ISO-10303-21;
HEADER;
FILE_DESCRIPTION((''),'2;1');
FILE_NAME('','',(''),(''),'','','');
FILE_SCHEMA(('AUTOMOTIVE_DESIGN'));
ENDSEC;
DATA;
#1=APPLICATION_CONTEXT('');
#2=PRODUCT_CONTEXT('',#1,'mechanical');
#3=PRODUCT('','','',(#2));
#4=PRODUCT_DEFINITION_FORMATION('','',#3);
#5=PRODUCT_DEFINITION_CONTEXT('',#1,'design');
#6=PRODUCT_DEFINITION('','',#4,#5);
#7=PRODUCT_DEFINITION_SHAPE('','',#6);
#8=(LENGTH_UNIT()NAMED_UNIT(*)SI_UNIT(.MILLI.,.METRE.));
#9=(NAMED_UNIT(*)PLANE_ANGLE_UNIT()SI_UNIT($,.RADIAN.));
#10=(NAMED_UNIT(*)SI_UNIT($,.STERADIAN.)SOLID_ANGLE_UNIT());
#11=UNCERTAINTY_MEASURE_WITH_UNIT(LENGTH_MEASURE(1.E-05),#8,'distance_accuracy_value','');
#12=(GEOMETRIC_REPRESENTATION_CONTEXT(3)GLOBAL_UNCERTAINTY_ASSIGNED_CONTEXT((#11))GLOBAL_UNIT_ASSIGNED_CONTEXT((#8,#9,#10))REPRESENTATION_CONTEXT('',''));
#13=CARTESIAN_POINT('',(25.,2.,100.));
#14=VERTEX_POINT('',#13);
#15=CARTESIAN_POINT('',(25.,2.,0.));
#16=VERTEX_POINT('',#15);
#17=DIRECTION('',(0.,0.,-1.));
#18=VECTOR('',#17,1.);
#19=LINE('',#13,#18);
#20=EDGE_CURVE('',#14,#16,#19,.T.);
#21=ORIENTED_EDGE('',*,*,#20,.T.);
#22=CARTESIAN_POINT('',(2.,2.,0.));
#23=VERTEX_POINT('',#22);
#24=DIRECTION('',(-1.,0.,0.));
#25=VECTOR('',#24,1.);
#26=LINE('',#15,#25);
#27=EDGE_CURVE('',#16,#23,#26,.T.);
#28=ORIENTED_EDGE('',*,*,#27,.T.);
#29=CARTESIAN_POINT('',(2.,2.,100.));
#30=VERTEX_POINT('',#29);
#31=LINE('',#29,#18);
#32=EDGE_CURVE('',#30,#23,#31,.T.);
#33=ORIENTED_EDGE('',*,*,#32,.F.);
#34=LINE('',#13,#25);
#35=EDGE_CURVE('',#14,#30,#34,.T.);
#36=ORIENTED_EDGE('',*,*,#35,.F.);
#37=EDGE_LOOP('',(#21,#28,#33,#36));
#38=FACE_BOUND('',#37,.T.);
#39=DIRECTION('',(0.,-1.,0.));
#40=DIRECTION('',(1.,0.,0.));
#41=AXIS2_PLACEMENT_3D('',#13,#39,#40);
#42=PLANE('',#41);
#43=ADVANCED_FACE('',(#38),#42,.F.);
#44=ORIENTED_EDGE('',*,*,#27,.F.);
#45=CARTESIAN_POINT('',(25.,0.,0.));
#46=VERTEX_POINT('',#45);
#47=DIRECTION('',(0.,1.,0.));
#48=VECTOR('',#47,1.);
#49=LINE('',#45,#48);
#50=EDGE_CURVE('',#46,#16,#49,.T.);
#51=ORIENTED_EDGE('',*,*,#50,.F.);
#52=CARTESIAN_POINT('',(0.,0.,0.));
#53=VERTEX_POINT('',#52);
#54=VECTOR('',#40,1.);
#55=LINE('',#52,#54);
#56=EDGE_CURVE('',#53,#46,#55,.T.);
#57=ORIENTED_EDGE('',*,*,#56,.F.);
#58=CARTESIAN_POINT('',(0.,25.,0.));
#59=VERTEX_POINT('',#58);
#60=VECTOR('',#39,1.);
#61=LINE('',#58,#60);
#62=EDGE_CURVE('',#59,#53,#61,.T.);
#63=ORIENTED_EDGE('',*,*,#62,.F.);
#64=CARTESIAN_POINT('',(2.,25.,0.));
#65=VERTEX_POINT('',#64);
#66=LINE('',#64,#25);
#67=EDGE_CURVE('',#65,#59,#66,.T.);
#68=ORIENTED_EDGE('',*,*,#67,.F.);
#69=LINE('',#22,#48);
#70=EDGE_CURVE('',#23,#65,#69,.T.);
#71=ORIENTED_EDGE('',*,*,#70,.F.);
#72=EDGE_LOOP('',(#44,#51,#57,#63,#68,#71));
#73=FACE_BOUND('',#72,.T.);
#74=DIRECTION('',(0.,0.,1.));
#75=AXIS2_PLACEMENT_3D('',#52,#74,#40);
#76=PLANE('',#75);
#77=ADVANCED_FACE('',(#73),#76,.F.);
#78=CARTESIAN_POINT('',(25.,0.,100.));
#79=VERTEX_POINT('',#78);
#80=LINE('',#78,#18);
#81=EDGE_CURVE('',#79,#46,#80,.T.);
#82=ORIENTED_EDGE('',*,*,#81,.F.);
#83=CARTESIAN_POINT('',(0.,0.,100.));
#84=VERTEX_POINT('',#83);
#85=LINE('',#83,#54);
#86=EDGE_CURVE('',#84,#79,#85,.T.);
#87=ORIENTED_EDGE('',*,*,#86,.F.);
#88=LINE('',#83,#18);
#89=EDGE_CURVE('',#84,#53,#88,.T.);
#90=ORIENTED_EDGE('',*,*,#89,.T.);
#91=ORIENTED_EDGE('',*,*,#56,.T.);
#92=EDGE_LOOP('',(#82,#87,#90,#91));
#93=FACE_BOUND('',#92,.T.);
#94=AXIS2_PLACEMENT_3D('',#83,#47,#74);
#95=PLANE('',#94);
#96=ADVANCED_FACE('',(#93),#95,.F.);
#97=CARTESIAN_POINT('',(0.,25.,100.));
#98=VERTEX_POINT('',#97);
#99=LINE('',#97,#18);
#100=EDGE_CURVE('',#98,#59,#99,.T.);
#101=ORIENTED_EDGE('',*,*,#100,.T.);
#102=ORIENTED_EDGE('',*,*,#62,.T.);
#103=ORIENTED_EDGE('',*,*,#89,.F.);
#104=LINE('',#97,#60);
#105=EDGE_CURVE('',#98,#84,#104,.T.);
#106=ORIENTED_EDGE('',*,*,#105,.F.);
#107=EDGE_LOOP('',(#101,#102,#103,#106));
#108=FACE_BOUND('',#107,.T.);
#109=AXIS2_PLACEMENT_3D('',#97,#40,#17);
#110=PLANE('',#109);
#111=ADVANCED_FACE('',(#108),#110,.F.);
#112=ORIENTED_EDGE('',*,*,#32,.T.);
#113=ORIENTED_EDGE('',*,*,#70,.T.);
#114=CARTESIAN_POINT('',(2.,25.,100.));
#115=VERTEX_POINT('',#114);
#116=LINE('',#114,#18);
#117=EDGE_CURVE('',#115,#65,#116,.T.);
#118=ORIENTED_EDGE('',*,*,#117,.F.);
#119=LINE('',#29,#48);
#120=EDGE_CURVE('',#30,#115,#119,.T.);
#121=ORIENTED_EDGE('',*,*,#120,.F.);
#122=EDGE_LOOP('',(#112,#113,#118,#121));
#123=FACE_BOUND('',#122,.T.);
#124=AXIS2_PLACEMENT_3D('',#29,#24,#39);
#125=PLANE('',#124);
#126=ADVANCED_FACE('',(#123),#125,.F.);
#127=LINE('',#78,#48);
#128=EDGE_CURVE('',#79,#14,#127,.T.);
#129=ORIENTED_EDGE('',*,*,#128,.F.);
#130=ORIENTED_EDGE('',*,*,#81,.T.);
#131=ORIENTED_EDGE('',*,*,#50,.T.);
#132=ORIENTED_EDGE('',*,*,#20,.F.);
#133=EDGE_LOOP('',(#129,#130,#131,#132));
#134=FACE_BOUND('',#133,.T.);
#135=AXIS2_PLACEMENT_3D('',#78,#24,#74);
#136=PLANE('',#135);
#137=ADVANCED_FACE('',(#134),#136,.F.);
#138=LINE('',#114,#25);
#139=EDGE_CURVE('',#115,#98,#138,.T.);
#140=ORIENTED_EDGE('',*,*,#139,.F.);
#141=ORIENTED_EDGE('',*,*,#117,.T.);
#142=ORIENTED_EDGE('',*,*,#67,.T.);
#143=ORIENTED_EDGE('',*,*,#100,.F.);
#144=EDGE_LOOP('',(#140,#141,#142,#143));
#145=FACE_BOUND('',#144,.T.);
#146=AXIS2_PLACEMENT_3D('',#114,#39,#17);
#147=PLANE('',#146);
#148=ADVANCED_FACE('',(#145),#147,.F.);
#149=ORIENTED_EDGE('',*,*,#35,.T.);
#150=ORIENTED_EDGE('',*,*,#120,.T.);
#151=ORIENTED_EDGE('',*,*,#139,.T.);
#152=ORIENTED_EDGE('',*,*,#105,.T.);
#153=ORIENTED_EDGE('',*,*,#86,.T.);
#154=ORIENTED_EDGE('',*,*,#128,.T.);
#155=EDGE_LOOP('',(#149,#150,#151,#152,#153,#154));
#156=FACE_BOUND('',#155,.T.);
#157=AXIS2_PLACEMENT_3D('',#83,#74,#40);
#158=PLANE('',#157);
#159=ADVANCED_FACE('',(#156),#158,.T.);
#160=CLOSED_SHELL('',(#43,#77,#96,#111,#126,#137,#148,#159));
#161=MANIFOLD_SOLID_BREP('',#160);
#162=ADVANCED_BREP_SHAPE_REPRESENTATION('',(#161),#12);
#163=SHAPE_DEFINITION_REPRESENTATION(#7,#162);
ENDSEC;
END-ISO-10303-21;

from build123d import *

# Parameters (mm, degrees)
BOSS_EXTRUDE1_DEPTH = 100


with BuildPart() as part:
    # Sketch1 → Boss-Extrude1 (new body)
    with BuildSketch(Plane.XY):
        Polygon((0, 0), (25, 0), (25, 2), (2, 2), (2, 25), (0, 25), align=None)
    extrude(amount=BOSS_EXTRUDE1_DEPTH)


solid = part.part
